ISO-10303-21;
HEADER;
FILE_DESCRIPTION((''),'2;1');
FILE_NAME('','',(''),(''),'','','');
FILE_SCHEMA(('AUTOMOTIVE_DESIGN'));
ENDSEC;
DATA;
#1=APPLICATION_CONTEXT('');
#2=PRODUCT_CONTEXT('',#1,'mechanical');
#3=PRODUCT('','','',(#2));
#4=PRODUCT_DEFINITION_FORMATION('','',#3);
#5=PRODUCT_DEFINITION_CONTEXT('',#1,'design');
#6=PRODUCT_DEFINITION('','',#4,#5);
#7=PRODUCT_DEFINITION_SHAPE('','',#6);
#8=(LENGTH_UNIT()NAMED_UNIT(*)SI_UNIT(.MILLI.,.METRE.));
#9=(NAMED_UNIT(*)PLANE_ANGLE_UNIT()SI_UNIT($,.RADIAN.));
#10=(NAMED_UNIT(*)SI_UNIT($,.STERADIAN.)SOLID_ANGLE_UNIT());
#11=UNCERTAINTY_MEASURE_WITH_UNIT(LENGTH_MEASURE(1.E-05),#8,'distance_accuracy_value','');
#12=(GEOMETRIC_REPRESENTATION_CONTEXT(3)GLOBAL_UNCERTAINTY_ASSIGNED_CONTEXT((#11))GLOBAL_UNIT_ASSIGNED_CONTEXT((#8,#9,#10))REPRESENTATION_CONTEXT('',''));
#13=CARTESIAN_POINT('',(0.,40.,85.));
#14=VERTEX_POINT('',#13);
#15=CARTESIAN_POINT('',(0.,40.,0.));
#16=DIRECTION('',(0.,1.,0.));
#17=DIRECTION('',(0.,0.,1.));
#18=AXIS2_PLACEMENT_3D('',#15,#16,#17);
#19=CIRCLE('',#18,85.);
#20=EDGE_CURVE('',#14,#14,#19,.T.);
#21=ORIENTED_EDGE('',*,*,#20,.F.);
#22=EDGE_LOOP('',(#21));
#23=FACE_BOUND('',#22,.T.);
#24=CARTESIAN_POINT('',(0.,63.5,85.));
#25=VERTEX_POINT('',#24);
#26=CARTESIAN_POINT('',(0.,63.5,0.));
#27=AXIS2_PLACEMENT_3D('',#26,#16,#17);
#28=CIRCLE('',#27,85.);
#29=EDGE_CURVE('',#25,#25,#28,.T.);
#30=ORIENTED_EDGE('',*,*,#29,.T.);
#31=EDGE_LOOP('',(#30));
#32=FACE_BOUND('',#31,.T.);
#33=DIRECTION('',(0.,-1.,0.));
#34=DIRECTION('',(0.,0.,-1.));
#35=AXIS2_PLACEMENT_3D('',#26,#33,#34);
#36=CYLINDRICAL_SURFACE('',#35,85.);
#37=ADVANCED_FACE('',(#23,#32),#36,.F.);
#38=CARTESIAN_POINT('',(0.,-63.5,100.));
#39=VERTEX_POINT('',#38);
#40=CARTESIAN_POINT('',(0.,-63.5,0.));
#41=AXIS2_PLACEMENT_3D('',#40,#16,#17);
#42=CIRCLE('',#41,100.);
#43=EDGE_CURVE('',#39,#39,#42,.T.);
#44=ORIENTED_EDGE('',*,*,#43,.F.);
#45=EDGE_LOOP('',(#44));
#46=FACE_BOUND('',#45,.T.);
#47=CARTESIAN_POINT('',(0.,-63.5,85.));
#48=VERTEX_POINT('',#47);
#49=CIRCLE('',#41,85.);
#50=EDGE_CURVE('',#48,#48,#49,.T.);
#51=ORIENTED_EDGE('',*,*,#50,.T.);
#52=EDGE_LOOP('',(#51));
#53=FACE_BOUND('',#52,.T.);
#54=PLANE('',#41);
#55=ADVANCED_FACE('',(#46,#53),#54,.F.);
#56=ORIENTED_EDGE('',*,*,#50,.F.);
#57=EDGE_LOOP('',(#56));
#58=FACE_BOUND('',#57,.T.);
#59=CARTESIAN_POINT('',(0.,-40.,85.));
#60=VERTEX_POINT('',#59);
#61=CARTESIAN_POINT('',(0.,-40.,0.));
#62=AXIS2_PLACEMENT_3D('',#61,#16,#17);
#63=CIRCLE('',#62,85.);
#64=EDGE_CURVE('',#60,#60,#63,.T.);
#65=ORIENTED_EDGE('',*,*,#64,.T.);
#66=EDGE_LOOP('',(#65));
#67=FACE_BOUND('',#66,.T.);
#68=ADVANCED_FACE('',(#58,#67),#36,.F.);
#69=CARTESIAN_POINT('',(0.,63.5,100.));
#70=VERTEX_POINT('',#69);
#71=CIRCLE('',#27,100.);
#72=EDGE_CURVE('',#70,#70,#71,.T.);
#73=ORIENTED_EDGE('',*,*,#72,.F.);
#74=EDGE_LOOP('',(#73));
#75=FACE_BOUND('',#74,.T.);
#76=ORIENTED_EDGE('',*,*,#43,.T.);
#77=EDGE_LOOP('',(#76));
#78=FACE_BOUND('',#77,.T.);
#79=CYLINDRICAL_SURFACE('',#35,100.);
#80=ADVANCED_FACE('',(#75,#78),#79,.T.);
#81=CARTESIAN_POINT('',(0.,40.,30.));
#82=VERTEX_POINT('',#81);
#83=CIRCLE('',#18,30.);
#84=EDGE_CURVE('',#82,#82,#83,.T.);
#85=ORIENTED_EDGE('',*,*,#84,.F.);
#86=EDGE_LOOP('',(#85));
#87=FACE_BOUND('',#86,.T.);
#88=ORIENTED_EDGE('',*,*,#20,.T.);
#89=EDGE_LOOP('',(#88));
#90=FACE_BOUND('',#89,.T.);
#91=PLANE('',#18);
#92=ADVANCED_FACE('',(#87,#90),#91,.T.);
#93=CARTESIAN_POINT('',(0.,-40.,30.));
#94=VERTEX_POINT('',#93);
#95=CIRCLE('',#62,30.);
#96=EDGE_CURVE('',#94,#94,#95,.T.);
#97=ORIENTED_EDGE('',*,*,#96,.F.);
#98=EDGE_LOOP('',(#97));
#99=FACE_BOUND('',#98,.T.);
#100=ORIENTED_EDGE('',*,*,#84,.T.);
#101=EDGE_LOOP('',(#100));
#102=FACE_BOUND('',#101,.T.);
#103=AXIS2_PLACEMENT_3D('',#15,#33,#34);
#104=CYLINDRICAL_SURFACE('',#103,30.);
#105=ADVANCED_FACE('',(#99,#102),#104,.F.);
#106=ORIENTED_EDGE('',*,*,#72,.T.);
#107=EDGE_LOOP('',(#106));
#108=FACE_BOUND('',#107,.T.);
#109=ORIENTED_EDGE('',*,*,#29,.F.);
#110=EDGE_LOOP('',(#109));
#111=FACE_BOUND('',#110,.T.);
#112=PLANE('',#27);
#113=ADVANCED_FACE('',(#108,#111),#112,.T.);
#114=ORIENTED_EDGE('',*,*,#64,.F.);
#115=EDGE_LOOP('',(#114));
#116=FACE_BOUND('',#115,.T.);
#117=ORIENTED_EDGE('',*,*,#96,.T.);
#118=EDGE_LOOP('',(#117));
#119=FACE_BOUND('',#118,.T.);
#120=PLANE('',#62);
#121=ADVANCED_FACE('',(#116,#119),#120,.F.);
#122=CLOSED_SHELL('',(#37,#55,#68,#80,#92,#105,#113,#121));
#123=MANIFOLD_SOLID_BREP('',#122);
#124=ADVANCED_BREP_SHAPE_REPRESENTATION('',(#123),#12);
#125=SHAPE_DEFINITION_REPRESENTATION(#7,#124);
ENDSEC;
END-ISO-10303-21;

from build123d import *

# Parameters (mm, degrees)
SKETCH1_R           = 100
SKETCH1_R_2         = 85
BOSS_EXTRUDE1_DEPTH = 63.5
SKETCH4_R           = 85
SKETCH4_R_2         = 30
BOSS_EXTRUDE2_DEPTH = 40


with BuildPart() as part:
    # Sketch1 → Boss-Extrude1 (new, symmetric)
    with BuildSketch(Plane(origin=(0, 0, 0), x_dir=(1, 0, 0), z_dir=(0, 1, 0))):
        with Locations(Location((0, 0, 0), (0, 0, 270))):
            Circle(SKETCH1_R)
        with Locations(Location((0, 0, 0), (0, 0, 270))):
            Circle(SKETCH1_R_2, mode=Mode.SUBTRACT)
    extrude(amount=BOSS_EXTRUDE1_DEPTH, both=True)

    # Sketch4 → Boss-Extrude2 (add, symmetric)
    with BuildSketch(Plane(origin=(0, 0, 0), x_dir=(1, 0, 0), z_dir=(0, 1, 0))):
        with Locations(Location((0, 0, 0), (0, 0, 270))):
            Circle(SKETCH4_R)
        with Locations(Location((0, 0, 0), (0, 0, 270))):
            Circle(SKETCH4_R_2, mode=Mode.SUBTRACT)
    extrude(amount=BOSS_EXTRUDE2_DEPTH, both=True)


solid = part.part
